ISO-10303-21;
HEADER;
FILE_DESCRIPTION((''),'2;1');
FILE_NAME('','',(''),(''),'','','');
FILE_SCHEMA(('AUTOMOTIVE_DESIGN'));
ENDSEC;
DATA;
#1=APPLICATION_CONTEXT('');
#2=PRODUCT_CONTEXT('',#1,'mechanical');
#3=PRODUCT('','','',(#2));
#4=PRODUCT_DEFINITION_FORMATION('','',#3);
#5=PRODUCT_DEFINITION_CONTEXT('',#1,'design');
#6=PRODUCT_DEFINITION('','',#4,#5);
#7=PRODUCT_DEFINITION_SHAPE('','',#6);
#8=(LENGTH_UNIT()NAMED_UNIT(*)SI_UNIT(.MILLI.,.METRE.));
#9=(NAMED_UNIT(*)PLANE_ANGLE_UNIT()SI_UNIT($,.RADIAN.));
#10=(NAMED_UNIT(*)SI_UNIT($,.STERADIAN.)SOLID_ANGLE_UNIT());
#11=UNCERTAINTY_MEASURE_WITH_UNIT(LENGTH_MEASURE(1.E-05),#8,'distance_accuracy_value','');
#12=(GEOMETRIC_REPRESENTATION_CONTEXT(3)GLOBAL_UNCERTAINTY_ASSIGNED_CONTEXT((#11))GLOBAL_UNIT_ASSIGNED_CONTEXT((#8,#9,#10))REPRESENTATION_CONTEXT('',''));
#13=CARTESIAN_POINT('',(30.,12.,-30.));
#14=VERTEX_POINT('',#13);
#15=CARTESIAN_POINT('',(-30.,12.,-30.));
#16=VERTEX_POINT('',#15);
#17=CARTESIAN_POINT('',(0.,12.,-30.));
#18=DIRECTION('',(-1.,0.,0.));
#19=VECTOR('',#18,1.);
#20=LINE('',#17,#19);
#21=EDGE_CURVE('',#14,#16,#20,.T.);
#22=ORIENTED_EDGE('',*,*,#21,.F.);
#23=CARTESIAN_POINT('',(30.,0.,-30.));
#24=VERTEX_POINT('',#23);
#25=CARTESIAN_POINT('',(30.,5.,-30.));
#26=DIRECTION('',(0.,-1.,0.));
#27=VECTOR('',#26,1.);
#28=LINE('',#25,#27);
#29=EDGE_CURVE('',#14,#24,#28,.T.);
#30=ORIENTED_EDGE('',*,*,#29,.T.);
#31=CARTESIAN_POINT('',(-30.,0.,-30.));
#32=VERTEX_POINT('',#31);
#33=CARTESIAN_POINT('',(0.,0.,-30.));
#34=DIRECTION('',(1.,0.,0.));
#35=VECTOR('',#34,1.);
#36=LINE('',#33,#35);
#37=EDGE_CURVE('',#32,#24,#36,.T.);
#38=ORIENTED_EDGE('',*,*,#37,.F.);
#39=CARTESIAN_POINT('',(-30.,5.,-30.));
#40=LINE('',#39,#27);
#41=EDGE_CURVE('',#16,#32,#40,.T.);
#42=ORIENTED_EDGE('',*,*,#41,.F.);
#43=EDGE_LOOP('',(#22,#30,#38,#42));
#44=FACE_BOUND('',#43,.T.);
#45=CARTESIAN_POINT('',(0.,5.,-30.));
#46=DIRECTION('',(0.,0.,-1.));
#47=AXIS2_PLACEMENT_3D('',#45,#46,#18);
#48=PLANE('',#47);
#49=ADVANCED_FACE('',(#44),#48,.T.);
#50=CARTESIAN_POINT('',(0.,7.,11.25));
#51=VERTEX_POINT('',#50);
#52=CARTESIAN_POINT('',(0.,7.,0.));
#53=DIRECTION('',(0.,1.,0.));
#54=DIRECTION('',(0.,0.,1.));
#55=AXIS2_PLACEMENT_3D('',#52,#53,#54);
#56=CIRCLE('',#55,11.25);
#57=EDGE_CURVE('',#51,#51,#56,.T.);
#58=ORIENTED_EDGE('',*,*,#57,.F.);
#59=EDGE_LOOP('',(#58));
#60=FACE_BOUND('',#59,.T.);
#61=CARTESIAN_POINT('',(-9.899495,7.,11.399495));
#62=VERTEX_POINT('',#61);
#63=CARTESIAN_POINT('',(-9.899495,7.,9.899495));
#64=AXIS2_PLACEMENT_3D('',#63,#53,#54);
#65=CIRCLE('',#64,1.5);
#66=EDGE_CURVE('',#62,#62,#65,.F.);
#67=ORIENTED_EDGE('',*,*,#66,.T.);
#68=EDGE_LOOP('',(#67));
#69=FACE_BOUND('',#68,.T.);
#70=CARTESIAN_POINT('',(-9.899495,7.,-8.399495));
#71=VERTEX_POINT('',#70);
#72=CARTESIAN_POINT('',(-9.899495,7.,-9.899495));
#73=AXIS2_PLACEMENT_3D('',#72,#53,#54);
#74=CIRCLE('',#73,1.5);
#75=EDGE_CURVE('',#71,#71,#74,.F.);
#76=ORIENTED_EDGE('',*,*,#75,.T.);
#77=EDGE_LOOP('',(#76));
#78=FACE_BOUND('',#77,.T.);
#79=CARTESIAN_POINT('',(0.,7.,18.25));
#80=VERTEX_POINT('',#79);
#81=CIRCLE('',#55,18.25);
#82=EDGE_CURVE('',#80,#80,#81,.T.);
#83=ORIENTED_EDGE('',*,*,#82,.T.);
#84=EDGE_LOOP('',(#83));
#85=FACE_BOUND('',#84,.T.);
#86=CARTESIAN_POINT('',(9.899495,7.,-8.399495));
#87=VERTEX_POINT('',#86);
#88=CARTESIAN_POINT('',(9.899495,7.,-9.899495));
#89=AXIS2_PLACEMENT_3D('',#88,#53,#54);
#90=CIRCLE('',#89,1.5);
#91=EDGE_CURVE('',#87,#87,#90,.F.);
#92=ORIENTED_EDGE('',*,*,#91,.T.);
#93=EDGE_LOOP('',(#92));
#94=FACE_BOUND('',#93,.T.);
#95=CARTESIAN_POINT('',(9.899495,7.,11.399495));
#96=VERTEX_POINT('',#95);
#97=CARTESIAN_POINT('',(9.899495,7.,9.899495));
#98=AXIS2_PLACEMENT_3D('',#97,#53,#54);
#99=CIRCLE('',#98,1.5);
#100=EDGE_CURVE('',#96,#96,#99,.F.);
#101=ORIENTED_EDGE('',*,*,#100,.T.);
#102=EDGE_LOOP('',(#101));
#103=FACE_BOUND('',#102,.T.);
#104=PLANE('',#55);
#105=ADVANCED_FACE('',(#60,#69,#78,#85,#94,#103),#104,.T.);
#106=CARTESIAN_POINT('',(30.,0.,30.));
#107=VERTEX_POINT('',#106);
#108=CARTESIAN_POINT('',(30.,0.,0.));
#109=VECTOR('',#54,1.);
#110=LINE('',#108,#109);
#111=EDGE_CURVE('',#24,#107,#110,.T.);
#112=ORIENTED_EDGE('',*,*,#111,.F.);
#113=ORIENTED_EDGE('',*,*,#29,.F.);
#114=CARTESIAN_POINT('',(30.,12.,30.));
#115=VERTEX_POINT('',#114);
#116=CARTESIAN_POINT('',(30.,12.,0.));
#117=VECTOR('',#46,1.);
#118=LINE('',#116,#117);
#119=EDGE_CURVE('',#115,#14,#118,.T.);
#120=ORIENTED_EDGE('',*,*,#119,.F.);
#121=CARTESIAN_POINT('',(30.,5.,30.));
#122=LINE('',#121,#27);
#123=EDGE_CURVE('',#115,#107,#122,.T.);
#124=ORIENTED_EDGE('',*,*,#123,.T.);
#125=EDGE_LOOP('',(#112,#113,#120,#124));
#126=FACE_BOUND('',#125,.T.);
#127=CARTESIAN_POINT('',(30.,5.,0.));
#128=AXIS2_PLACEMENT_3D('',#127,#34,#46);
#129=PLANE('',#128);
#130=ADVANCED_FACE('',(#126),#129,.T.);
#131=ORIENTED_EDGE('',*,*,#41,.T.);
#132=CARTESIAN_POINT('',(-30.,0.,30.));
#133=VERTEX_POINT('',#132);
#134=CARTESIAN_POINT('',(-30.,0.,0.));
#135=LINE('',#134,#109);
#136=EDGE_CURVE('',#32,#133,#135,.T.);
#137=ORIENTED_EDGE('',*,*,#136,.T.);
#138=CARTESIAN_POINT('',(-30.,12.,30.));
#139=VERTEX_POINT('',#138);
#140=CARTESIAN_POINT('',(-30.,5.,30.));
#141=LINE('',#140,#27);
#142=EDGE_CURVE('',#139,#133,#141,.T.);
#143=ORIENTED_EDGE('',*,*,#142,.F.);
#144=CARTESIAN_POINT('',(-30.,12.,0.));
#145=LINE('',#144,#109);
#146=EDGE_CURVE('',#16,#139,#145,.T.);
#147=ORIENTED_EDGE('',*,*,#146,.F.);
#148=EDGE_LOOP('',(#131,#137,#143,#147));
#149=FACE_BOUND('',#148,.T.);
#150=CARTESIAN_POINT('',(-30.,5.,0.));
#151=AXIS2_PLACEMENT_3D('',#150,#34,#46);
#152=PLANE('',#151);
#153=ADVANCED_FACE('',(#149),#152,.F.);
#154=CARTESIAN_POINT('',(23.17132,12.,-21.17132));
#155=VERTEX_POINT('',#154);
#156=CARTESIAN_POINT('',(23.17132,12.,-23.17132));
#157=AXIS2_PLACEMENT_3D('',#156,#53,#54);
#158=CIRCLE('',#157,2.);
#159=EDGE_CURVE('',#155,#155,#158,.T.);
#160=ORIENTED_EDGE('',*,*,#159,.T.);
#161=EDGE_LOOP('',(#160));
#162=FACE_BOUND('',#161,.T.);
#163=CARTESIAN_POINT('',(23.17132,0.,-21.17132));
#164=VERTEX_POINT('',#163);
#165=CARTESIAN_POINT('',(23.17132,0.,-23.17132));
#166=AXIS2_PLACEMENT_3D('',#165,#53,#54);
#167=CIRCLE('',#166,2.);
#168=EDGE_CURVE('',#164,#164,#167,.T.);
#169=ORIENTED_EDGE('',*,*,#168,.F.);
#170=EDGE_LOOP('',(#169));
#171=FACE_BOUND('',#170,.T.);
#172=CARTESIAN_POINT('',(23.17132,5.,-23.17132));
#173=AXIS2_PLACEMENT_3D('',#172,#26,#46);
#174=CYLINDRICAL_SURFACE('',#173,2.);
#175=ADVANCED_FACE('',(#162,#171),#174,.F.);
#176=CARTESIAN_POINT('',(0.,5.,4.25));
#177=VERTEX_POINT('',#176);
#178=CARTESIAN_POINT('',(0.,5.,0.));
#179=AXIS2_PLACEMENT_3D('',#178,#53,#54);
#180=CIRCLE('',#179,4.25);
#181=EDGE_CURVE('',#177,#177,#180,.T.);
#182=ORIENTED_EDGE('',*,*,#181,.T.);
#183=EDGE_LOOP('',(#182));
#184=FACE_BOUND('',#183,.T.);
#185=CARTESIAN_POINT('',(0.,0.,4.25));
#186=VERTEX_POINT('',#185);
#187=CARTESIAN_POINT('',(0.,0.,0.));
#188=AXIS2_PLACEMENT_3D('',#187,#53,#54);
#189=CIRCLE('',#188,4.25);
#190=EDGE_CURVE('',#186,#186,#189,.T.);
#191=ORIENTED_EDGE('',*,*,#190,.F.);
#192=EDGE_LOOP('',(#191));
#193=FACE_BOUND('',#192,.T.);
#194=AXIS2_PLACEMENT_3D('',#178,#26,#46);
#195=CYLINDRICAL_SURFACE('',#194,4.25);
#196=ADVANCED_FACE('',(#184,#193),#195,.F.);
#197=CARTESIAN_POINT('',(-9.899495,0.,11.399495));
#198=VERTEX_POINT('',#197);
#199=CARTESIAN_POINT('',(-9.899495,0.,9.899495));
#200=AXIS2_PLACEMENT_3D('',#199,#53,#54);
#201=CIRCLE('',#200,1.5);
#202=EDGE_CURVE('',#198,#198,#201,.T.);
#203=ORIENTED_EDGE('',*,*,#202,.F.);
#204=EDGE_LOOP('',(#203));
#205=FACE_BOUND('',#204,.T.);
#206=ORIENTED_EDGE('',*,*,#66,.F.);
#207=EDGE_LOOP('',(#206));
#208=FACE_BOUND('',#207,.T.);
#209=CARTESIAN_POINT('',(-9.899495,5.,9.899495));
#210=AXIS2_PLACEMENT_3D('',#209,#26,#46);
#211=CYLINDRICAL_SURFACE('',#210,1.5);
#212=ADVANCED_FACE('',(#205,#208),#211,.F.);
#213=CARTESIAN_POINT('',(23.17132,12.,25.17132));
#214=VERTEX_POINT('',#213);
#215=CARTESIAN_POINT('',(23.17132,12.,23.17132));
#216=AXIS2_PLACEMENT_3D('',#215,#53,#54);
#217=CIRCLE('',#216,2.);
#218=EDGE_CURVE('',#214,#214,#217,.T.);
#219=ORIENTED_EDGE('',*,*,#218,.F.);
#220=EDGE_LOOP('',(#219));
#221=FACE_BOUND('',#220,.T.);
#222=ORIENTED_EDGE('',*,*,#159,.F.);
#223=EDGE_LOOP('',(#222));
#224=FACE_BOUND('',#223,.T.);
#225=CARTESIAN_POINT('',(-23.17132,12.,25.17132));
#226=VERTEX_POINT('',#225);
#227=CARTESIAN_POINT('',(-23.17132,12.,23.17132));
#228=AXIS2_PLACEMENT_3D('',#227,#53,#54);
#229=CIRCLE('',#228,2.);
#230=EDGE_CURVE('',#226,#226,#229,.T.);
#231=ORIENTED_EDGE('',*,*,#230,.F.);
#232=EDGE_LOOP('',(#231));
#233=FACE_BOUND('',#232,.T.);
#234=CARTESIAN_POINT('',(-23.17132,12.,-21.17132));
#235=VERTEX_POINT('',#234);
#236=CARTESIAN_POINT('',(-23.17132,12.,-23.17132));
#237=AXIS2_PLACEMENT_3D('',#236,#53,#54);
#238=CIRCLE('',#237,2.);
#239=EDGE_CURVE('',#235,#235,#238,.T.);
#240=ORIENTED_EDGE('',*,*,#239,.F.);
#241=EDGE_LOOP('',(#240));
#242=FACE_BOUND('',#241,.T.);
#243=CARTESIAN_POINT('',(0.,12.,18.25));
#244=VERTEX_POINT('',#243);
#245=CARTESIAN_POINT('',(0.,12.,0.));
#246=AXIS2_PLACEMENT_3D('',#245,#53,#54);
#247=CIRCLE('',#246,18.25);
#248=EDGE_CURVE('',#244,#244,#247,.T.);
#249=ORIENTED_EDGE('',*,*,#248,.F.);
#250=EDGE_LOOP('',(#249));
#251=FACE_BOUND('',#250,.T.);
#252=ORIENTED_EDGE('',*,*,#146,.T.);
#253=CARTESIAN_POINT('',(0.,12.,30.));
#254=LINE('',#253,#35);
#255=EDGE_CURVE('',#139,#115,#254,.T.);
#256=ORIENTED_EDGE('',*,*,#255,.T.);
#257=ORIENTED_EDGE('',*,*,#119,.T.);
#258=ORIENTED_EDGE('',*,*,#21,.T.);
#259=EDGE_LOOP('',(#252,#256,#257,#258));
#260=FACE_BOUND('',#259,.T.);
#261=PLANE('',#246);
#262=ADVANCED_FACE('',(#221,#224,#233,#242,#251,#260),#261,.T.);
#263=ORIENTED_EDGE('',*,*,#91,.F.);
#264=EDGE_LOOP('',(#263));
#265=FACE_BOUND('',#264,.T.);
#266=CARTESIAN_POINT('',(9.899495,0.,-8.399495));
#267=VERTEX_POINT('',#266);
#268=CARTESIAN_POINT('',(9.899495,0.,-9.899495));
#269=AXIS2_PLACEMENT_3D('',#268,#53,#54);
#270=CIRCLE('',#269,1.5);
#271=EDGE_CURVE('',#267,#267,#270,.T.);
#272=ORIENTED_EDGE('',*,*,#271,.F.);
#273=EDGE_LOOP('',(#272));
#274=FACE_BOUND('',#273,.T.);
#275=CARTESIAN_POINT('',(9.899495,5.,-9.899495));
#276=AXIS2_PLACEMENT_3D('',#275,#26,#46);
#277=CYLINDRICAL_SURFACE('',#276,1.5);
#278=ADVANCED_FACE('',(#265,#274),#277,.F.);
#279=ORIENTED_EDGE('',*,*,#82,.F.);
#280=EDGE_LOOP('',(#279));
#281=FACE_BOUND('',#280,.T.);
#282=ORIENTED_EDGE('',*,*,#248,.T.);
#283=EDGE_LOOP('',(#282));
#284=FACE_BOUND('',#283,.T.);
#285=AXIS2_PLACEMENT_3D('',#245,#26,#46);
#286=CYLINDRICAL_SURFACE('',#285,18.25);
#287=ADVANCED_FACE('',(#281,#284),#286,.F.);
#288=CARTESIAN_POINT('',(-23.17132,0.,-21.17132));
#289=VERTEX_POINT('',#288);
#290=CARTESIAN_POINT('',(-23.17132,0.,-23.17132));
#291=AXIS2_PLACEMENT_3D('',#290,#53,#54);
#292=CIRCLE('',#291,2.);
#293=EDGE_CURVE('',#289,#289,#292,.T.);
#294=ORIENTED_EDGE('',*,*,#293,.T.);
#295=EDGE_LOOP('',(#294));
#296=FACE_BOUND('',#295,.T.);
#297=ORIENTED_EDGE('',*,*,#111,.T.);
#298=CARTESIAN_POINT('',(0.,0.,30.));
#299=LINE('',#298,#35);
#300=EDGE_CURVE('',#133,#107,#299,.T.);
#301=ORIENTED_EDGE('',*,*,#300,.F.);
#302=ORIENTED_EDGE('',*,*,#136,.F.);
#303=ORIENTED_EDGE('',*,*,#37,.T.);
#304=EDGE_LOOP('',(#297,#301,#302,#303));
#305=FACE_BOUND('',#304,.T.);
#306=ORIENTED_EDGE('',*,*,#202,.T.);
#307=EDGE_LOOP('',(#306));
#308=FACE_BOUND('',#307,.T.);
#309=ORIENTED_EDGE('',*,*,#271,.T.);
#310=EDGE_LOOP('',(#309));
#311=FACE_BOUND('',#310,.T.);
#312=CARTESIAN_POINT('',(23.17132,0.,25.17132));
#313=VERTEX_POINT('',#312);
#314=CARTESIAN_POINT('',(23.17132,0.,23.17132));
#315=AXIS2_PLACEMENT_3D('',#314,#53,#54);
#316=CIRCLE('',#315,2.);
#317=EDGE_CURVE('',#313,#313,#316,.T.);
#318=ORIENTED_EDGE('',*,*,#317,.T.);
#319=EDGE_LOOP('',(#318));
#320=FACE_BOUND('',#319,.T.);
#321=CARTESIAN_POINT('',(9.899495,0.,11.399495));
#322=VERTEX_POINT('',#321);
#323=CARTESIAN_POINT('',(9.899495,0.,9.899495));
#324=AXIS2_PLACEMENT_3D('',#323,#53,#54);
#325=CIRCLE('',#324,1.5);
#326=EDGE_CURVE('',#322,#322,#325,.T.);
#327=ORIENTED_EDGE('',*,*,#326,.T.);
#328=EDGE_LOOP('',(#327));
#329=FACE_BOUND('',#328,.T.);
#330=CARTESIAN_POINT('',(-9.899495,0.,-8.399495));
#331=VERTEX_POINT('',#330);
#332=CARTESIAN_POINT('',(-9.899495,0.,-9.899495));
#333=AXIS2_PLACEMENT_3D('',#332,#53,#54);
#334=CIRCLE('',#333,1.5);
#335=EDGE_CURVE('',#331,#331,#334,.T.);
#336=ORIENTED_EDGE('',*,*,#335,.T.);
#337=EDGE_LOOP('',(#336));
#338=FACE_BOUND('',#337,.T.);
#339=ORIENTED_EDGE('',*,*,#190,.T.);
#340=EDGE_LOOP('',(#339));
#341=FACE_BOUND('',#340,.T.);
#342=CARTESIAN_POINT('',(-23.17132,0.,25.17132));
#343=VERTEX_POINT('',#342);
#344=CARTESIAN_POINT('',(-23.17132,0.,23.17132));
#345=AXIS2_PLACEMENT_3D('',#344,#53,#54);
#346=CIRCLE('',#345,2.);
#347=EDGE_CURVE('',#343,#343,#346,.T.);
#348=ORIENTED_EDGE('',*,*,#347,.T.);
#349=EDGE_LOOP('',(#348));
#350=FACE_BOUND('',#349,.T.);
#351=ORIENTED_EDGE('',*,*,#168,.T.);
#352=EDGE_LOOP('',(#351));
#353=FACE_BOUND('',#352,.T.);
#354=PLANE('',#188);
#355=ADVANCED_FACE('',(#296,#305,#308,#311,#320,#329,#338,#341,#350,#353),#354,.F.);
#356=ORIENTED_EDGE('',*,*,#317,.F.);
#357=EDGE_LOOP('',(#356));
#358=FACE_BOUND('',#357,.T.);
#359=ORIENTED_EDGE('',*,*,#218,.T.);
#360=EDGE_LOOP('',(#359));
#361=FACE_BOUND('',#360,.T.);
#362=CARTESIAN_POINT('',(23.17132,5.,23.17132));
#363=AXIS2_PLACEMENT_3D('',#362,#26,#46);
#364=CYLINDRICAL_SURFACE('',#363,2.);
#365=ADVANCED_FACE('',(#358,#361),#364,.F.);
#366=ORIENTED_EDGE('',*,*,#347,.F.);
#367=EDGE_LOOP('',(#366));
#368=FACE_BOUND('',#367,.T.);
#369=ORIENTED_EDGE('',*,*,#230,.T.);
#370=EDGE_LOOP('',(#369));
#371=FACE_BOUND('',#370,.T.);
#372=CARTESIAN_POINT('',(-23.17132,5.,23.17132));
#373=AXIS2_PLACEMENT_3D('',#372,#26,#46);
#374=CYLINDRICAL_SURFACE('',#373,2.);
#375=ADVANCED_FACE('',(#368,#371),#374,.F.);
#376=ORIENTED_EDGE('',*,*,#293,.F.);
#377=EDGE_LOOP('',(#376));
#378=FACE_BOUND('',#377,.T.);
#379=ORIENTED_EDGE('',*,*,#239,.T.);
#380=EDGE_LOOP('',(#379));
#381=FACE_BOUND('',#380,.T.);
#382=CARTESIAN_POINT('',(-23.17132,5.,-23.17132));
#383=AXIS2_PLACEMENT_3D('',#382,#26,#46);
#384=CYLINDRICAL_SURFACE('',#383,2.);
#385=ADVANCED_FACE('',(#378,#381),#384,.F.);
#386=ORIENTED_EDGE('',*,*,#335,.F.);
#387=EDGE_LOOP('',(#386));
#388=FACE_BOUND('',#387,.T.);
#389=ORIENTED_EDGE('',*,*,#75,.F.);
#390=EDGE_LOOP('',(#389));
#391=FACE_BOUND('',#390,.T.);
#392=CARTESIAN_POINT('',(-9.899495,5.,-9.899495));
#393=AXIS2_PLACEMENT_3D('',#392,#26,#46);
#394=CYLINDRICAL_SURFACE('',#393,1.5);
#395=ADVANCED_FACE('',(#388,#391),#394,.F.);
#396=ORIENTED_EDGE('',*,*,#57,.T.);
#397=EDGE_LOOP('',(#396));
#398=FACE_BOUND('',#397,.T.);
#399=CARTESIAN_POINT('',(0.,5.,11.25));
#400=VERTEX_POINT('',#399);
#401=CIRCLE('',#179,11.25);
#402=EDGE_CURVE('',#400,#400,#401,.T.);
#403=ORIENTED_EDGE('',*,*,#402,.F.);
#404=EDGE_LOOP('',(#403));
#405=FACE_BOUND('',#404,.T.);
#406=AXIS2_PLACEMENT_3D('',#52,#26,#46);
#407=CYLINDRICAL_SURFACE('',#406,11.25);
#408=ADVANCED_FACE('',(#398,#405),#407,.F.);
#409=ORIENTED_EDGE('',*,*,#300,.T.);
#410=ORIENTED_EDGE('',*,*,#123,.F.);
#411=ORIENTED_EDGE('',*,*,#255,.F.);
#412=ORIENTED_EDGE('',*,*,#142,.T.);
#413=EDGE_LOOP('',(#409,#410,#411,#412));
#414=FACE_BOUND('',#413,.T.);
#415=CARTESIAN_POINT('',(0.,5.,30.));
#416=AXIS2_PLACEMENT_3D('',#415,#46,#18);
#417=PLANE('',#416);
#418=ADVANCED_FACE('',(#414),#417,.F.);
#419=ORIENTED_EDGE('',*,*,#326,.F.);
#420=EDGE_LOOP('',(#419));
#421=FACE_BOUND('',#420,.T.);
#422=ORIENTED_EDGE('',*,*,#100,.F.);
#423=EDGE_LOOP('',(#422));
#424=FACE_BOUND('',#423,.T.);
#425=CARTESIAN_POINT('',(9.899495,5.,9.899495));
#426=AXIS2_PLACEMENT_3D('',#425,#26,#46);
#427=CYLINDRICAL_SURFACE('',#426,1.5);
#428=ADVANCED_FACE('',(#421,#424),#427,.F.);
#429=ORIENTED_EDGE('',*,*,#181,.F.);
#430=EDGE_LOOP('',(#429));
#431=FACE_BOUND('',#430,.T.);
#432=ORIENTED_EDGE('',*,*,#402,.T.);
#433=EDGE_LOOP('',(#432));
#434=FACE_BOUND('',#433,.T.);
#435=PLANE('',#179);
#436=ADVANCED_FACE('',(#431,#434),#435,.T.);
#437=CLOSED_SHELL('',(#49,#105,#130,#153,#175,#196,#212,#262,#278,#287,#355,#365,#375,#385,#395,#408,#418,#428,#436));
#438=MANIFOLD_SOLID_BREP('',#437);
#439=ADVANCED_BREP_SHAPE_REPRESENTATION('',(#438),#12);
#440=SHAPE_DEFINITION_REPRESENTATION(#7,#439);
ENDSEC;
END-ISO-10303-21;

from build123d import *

# Parameters (mm, degrees)
SKETCH_1_W      = 60
SKETCH_1_H      = 60
SKETCH_1_R      = 1.5
SKETCH_1_R_2    = 2
SKETCH_1_R_3    = 4.25
EXTRUDE_1_DEPTH = 5
SKETCH_2_W      = 60
SKETCH_2_H      = 60
SKETCH_2_R      = 2
SKETCH_2_R_2    = 1.5
SKETCH_2_R_3    = 11.25
EXTRUDE_2_DEPTH = 2
SKETCH_3_W      = 60
SKETCH_3_H      = 60
SKETCH_3_R      = 18.25
SKETCH_3_R_2    = 2
EXTRUDE_3_DEPTH = 5


with BuildPart() as part:
    # 草图1 → 凸台-拉伸1 (new body)
    with BuildSketch(Plane(origin=(0, 0, 0), x_dir=(1, 0, 0), z_dir=(0, 1, 0))):
        Rectangle(SKETCH_1_W, SKETCH_1_H)
        with Locations(Location((-9.899494937, 9.899494937, 0), (0, 0, 270))):
            Circle(SKETCH_1_R, mode=Mode.SUBTRACT)
        with Locations(Location((9.899494937, 9.899494937, 0), (0, 0, 270))):
            Circle(SKETCH_1_R, mode=Mode.SUBTRACT)
        with Locations(Location((9.899494937, -9.899494937, 0), (0, 0, 270))):
            Circle(SKETCH_1_R, mode=Mode.SUBTRACT)
        with Locations(Location((-9.899494937, -9.899494937, 0), (0, 0, 270))):
            Circle(SKETCH_1_R, mode=Mode.SUBTRACT)
        with Locations(Location((-23.171320344, 23.171320344, 0), (0, 0, 270))):
            Circle(SKETCH_1_R_2, mode=Mode.SUBTRACT)
        with Locations(Location((23.171320344, 23.171320344, 0), (0, 0, 270))):
            Circle(SKETCH_1_R_2, mode=Mode.SUBTRACT)
        with Locations(Location((-23.171320344, -23.171320344, 0), (0, 0, 270))):
            Circle(SKETCH_1_R_2, mode=Mode.SUBTRACT)
        with Locations(Location((23.171320344, -23.171320344, 0), (0, 0, 270))):
            Circle(SKETCH_1_R_2, mode=Mode.SUBTRACT)
        with Locations(Location((0, 0, 0), (0, 0, 270))):
            Circle(SKETCH_1_R_3, mode=Mode.SUBTRACT)
    extrude(amount=EXTRUDE_1_DEPTH)

    # 草图2 → 凸台-拉伸2 (add)
    with BuildSketch(Plane(origin=(0, 5, 0), x_dir=(1, 0, 0), z_dir=(0, 1, 0))):
        Rectangle(SKETCH_2_W, SKETCH_2_H)
        with Locations(Location((-23.171320344, -23.171320344, 0), (0, 0, 270))):
            Circle(SKETCH_2_R, mode=Mode.SUBTRACT)
        with Locations(Location((23.171320344, 23.171320344, 0), (0, 0, 270))):
            Circle(SKETCH_2_R, mode=Mode.SUBTRACT)
        with Locations(Location((23.171320344, -23.171320344, 0), (0, 0, 270))):
            Circle(SKETCH_2_R, mode=Mode.SUBTRACT)
        with Locations(Location((-23.171320344, 23.171320344, 0), (0, 0, 270))):
            Circle(SKETCH_2_R, mode=Mode.SUBTRACT)
        with Locations(Location((-9.899494937, -9.899494937, 0), (0, 0, 270))):
            Circle(SKETCH_2_R_2, mode=Mode.SUBTRACT)
        with Locations(Location((9.899494937, -9.899494937, 0), (0, 0, 270))):
            Circle(SKETCH_2_R_2, mode=Mode.SUBTRACT)
        with Locations(Location((9.899494937, 9.899494937, 0), (0, 0, 270))):
            Circle(SKETCH_2_R_2, mode=Mode.SUBTRACT)
        with Locations(Location((-9.899494937, 9.899494937, 0), (0, 0, 270))):
            Circle(SKETCH_2_R_2, mode=Mode.SUBTRACT)
        with Locations(Location((0, 0, 0), (0, 0, 270))):
            Circle(SKETCH_2_R_3, mode=Mode.SUBTRACT)
    extrude(amount=EXTRUDE_2_DEPTH)

    # 草图3 → 凸台-拉伸3 (add)
    with BuildSketch(Plane(origin=(0, 7, 0), x_dir=(1, 0, 0), z_dir=(0, 1, 0))):
        Rectangle(SKETCH_3_W, SKETCH_3_H)
        with Locations(Location((0, 0, 0), (0, 0, 270))):
            Circle(SKETCH_3_R, mode=Mode.SUBTRACT)
        with Locations(Location((-23.171320344, -23.171320344, 0), (0, 0, 270))):
            Circle(SKETCH_3_R_2, mode=Mode.SUBTRACT)
        with Locations(Location((23.171320344, 23.171320344, 0), (0, 0, 270))):
            Circle(SKETCH_3_R_2, mode=Mode.SUBTRACT)
        with Locations(Location((23.171320344, -23.171320344, 0), (0, 0, 270))):
            Circle(SKETCH_3_R_2, mode=Mode.SUBTRACT)
        with Locations(Location((-23.171320344, 23.171320344, 0), (0, 0, 270))):
            Circle(SKETCH_3_R_2, mode=Mode.SUBTRACT)
    extrude(amount=EXTRUDE_3_DEPTH)


solid = part.part
